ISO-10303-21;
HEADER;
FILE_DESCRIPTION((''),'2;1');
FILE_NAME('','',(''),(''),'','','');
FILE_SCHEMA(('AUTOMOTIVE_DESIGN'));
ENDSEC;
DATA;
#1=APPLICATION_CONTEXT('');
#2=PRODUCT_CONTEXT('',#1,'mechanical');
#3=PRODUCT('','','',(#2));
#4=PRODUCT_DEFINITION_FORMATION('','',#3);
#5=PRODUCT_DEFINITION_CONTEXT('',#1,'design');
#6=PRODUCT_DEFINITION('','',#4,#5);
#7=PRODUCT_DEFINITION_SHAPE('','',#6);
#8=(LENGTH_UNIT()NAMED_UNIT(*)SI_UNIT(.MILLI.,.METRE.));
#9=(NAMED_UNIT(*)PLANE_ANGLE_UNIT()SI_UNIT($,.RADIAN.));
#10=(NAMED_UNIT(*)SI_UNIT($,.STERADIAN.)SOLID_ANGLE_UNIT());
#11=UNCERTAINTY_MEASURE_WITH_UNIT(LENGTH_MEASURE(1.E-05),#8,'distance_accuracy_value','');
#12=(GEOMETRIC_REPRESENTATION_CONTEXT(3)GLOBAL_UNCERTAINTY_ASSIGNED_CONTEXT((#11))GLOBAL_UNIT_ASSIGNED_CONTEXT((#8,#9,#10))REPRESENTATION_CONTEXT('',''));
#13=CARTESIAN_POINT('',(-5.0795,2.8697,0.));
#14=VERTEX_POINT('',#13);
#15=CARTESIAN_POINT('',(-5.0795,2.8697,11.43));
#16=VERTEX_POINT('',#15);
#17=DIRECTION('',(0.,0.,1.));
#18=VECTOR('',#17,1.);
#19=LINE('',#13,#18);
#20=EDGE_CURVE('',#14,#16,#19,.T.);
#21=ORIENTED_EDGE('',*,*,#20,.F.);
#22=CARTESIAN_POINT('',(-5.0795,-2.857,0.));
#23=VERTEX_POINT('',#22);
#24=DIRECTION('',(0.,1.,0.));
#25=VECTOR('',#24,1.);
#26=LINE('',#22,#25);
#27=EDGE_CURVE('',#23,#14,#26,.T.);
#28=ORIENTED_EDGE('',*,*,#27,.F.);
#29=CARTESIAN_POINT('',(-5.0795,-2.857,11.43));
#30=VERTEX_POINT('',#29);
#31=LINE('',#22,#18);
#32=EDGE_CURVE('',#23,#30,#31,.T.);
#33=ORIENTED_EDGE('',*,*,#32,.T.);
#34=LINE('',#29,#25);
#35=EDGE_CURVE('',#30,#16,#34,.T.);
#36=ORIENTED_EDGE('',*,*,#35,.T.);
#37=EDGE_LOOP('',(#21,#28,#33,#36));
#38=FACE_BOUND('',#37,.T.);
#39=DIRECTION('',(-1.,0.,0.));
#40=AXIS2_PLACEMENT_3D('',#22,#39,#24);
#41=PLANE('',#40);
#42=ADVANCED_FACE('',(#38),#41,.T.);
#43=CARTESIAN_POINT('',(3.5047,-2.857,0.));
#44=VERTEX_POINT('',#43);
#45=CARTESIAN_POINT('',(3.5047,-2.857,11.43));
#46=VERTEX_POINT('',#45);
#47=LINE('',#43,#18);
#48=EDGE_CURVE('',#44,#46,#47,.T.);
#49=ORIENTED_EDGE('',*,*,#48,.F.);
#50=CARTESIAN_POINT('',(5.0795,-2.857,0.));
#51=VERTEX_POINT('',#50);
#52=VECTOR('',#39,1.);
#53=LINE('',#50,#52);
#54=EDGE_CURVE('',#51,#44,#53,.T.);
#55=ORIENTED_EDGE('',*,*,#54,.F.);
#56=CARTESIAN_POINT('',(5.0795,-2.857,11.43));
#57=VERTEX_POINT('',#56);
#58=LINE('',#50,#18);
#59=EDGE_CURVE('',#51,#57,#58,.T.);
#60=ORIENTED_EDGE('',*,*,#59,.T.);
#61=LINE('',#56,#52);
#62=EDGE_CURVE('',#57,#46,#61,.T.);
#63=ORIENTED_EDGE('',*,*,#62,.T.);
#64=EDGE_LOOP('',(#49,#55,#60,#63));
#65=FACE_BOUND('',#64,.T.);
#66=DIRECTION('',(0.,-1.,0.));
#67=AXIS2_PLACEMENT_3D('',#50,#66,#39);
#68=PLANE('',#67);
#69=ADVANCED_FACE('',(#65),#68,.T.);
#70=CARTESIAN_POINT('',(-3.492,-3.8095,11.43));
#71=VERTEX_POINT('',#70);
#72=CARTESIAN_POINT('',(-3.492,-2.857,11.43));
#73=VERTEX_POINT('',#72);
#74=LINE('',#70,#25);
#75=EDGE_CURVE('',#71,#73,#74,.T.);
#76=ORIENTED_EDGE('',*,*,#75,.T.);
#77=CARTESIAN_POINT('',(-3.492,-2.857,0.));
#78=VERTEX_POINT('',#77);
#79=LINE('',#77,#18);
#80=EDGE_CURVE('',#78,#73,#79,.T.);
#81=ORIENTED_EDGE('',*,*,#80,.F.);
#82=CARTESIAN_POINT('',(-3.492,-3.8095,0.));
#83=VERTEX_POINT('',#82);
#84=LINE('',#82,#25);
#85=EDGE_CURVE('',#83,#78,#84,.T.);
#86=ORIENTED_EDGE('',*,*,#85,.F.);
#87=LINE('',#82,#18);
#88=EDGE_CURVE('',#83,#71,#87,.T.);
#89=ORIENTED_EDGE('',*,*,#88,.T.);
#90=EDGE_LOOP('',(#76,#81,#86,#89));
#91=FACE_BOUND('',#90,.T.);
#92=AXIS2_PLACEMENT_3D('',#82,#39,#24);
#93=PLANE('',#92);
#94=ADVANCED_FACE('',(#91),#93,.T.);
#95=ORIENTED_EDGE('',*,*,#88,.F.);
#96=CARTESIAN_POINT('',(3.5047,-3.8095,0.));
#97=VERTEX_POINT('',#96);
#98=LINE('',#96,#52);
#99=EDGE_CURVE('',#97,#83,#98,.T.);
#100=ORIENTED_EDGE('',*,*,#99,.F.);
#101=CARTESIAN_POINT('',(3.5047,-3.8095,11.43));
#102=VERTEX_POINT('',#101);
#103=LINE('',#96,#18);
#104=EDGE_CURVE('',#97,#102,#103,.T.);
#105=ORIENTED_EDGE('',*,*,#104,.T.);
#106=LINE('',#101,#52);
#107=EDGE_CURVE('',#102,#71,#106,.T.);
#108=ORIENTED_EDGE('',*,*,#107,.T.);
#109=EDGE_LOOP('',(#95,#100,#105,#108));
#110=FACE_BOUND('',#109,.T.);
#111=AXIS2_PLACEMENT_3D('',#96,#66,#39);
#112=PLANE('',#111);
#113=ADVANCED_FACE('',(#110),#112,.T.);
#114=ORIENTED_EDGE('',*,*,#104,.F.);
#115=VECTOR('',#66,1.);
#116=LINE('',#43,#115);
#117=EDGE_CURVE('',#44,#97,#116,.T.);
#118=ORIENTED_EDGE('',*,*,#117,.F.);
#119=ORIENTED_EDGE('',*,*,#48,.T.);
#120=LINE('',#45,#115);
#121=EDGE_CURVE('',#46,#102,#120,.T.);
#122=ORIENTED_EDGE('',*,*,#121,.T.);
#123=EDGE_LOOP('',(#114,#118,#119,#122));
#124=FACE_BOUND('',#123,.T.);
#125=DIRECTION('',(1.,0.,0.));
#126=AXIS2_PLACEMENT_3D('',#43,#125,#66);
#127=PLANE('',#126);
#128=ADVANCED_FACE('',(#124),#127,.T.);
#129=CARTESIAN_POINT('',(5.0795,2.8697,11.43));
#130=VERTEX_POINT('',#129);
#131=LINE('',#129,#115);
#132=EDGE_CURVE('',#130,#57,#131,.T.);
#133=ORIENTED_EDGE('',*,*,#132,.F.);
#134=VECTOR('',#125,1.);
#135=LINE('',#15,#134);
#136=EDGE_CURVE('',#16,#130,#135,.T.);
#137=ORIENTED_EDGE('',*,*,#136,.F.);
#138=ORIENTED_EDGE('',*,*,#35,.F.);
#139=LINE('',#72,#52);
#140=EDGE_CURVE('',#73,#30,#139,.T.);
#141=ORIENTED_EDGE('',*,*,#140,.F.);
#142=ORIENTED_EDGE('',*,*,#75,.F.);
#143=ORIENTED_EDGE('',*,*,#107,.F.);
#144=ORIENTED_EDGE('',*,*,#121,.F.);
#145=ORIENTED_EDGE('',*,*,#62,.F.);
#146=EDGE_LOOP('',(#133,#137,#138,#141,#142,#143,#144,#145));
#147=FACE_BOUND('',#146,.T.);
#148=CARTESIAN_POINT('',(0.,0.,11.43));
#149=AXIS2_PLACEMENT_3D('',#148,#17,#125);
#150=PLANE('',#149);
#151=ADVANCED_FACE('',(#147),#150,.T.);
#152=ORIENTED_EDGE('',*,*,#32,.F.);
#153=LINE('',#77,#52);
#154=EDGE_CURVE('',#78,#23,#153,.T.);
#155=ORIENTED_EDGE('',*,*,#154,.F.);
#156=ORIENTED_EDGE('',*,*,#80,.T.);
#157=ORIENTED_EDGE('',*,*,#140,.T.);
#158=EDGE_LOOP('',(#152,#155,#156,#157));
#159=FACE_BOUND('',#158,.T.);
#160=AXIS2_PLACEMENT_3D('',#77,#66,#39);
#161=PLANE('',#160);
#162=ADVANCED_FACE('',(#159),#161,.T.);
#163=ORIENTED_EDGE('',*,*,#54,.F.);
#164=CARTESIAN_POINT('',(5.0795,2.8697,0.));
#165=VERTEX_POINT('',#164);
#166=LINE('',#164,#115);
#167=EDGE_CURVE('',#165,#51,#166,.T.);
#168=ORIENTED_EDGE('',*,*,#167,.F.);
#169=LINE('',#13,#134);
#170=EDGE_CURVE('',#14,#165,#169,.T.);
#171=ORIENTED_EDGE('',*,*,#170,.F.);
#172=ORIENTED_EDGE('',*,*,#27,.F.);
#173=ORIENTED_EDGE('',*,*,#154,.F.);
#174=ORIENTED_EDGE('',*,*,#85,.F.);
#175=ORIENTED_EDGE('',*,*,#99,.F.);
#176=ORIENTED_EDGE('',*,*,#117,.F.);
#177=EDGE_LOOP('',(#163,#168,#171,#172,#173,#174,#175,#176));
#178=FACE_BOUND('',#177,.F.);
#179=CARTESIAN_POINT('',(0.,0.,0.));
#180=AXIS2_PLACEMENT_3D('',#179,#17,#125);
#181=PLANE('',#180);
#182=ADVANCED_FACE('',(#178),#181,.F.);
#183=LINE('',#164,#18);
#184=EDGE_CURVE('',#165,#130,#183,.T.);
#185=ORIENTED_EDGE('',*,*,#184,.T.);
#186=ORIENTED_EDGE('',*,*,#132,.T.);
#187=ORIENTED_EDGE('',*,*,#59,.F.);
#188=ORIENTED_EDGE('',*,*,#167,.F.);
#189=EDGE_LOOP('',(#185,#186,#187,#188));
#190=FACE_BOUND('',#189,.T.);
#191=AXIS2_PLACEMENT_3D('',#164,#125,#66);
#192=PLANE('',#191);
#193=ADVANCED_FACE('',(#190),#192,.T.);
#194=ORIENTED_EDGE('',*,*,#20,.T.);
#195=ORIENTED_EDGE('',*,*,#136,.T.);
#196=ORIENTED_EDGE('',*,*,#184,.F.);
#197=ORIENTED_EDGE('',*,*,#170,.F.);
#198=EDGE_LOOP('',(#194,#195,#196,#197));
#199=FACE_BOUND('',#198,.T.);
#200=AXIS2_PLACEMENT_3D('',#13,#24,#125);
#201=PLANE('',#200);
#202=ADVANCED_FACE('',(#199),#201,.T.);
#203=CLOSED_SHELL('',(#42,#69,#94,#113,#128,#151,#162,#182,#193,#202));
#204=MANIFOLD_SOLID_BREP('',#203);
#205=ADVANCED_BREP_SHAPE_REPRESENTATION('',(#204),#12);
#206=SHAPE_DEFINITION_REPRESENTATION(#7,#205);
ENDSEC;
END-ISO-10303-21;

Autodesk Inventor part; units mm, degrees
ref_plane "YZ Plane" through (0, 0, 0) normal (1, 0, 0) x (0, 1, 0)
ref_plane "XZ Plane" through (0, 0, 0) normal (0, 1, 0) x (-1, 0, 0)
ref_plane "XY Plane" through (0, 0, 0) normal (0, 0, 1) x (1, 0, 0)
sketch "70543-03, C-GRID-03-70543_93" plane through (0, 0, 0) normal (0, 0, 1) x (1, 0, 0)
  line L0 (5.0795, -2.857) -> (3.5047, -2.857)
  line L1 (3.5047, -2.857) -> (3.5047, -3.8095)
  line L2 (3.5047, -3.8095) -> (-3.492, -3.8095)
  line L3 (-3.492, -3.8095) -> (-3.492, -2.857)
  line L4 (-3.492, -2.857) -> (-5.0795, -2.857)
  line L5 (-5.0795, -2.857) -> (-5.0795, 2.8697)
  line L6 (-5.0795, 2.8697) -> (5.0795, 2.8697)
  line L7 (5.0795, 2.8697) -> (5.0795, -2.857)
extrude "Extrusion1" add sketch "70543-03, C-GRID-03-70543_93" along normal blind 11.43
properties part number "C-GRID-03-70543"
